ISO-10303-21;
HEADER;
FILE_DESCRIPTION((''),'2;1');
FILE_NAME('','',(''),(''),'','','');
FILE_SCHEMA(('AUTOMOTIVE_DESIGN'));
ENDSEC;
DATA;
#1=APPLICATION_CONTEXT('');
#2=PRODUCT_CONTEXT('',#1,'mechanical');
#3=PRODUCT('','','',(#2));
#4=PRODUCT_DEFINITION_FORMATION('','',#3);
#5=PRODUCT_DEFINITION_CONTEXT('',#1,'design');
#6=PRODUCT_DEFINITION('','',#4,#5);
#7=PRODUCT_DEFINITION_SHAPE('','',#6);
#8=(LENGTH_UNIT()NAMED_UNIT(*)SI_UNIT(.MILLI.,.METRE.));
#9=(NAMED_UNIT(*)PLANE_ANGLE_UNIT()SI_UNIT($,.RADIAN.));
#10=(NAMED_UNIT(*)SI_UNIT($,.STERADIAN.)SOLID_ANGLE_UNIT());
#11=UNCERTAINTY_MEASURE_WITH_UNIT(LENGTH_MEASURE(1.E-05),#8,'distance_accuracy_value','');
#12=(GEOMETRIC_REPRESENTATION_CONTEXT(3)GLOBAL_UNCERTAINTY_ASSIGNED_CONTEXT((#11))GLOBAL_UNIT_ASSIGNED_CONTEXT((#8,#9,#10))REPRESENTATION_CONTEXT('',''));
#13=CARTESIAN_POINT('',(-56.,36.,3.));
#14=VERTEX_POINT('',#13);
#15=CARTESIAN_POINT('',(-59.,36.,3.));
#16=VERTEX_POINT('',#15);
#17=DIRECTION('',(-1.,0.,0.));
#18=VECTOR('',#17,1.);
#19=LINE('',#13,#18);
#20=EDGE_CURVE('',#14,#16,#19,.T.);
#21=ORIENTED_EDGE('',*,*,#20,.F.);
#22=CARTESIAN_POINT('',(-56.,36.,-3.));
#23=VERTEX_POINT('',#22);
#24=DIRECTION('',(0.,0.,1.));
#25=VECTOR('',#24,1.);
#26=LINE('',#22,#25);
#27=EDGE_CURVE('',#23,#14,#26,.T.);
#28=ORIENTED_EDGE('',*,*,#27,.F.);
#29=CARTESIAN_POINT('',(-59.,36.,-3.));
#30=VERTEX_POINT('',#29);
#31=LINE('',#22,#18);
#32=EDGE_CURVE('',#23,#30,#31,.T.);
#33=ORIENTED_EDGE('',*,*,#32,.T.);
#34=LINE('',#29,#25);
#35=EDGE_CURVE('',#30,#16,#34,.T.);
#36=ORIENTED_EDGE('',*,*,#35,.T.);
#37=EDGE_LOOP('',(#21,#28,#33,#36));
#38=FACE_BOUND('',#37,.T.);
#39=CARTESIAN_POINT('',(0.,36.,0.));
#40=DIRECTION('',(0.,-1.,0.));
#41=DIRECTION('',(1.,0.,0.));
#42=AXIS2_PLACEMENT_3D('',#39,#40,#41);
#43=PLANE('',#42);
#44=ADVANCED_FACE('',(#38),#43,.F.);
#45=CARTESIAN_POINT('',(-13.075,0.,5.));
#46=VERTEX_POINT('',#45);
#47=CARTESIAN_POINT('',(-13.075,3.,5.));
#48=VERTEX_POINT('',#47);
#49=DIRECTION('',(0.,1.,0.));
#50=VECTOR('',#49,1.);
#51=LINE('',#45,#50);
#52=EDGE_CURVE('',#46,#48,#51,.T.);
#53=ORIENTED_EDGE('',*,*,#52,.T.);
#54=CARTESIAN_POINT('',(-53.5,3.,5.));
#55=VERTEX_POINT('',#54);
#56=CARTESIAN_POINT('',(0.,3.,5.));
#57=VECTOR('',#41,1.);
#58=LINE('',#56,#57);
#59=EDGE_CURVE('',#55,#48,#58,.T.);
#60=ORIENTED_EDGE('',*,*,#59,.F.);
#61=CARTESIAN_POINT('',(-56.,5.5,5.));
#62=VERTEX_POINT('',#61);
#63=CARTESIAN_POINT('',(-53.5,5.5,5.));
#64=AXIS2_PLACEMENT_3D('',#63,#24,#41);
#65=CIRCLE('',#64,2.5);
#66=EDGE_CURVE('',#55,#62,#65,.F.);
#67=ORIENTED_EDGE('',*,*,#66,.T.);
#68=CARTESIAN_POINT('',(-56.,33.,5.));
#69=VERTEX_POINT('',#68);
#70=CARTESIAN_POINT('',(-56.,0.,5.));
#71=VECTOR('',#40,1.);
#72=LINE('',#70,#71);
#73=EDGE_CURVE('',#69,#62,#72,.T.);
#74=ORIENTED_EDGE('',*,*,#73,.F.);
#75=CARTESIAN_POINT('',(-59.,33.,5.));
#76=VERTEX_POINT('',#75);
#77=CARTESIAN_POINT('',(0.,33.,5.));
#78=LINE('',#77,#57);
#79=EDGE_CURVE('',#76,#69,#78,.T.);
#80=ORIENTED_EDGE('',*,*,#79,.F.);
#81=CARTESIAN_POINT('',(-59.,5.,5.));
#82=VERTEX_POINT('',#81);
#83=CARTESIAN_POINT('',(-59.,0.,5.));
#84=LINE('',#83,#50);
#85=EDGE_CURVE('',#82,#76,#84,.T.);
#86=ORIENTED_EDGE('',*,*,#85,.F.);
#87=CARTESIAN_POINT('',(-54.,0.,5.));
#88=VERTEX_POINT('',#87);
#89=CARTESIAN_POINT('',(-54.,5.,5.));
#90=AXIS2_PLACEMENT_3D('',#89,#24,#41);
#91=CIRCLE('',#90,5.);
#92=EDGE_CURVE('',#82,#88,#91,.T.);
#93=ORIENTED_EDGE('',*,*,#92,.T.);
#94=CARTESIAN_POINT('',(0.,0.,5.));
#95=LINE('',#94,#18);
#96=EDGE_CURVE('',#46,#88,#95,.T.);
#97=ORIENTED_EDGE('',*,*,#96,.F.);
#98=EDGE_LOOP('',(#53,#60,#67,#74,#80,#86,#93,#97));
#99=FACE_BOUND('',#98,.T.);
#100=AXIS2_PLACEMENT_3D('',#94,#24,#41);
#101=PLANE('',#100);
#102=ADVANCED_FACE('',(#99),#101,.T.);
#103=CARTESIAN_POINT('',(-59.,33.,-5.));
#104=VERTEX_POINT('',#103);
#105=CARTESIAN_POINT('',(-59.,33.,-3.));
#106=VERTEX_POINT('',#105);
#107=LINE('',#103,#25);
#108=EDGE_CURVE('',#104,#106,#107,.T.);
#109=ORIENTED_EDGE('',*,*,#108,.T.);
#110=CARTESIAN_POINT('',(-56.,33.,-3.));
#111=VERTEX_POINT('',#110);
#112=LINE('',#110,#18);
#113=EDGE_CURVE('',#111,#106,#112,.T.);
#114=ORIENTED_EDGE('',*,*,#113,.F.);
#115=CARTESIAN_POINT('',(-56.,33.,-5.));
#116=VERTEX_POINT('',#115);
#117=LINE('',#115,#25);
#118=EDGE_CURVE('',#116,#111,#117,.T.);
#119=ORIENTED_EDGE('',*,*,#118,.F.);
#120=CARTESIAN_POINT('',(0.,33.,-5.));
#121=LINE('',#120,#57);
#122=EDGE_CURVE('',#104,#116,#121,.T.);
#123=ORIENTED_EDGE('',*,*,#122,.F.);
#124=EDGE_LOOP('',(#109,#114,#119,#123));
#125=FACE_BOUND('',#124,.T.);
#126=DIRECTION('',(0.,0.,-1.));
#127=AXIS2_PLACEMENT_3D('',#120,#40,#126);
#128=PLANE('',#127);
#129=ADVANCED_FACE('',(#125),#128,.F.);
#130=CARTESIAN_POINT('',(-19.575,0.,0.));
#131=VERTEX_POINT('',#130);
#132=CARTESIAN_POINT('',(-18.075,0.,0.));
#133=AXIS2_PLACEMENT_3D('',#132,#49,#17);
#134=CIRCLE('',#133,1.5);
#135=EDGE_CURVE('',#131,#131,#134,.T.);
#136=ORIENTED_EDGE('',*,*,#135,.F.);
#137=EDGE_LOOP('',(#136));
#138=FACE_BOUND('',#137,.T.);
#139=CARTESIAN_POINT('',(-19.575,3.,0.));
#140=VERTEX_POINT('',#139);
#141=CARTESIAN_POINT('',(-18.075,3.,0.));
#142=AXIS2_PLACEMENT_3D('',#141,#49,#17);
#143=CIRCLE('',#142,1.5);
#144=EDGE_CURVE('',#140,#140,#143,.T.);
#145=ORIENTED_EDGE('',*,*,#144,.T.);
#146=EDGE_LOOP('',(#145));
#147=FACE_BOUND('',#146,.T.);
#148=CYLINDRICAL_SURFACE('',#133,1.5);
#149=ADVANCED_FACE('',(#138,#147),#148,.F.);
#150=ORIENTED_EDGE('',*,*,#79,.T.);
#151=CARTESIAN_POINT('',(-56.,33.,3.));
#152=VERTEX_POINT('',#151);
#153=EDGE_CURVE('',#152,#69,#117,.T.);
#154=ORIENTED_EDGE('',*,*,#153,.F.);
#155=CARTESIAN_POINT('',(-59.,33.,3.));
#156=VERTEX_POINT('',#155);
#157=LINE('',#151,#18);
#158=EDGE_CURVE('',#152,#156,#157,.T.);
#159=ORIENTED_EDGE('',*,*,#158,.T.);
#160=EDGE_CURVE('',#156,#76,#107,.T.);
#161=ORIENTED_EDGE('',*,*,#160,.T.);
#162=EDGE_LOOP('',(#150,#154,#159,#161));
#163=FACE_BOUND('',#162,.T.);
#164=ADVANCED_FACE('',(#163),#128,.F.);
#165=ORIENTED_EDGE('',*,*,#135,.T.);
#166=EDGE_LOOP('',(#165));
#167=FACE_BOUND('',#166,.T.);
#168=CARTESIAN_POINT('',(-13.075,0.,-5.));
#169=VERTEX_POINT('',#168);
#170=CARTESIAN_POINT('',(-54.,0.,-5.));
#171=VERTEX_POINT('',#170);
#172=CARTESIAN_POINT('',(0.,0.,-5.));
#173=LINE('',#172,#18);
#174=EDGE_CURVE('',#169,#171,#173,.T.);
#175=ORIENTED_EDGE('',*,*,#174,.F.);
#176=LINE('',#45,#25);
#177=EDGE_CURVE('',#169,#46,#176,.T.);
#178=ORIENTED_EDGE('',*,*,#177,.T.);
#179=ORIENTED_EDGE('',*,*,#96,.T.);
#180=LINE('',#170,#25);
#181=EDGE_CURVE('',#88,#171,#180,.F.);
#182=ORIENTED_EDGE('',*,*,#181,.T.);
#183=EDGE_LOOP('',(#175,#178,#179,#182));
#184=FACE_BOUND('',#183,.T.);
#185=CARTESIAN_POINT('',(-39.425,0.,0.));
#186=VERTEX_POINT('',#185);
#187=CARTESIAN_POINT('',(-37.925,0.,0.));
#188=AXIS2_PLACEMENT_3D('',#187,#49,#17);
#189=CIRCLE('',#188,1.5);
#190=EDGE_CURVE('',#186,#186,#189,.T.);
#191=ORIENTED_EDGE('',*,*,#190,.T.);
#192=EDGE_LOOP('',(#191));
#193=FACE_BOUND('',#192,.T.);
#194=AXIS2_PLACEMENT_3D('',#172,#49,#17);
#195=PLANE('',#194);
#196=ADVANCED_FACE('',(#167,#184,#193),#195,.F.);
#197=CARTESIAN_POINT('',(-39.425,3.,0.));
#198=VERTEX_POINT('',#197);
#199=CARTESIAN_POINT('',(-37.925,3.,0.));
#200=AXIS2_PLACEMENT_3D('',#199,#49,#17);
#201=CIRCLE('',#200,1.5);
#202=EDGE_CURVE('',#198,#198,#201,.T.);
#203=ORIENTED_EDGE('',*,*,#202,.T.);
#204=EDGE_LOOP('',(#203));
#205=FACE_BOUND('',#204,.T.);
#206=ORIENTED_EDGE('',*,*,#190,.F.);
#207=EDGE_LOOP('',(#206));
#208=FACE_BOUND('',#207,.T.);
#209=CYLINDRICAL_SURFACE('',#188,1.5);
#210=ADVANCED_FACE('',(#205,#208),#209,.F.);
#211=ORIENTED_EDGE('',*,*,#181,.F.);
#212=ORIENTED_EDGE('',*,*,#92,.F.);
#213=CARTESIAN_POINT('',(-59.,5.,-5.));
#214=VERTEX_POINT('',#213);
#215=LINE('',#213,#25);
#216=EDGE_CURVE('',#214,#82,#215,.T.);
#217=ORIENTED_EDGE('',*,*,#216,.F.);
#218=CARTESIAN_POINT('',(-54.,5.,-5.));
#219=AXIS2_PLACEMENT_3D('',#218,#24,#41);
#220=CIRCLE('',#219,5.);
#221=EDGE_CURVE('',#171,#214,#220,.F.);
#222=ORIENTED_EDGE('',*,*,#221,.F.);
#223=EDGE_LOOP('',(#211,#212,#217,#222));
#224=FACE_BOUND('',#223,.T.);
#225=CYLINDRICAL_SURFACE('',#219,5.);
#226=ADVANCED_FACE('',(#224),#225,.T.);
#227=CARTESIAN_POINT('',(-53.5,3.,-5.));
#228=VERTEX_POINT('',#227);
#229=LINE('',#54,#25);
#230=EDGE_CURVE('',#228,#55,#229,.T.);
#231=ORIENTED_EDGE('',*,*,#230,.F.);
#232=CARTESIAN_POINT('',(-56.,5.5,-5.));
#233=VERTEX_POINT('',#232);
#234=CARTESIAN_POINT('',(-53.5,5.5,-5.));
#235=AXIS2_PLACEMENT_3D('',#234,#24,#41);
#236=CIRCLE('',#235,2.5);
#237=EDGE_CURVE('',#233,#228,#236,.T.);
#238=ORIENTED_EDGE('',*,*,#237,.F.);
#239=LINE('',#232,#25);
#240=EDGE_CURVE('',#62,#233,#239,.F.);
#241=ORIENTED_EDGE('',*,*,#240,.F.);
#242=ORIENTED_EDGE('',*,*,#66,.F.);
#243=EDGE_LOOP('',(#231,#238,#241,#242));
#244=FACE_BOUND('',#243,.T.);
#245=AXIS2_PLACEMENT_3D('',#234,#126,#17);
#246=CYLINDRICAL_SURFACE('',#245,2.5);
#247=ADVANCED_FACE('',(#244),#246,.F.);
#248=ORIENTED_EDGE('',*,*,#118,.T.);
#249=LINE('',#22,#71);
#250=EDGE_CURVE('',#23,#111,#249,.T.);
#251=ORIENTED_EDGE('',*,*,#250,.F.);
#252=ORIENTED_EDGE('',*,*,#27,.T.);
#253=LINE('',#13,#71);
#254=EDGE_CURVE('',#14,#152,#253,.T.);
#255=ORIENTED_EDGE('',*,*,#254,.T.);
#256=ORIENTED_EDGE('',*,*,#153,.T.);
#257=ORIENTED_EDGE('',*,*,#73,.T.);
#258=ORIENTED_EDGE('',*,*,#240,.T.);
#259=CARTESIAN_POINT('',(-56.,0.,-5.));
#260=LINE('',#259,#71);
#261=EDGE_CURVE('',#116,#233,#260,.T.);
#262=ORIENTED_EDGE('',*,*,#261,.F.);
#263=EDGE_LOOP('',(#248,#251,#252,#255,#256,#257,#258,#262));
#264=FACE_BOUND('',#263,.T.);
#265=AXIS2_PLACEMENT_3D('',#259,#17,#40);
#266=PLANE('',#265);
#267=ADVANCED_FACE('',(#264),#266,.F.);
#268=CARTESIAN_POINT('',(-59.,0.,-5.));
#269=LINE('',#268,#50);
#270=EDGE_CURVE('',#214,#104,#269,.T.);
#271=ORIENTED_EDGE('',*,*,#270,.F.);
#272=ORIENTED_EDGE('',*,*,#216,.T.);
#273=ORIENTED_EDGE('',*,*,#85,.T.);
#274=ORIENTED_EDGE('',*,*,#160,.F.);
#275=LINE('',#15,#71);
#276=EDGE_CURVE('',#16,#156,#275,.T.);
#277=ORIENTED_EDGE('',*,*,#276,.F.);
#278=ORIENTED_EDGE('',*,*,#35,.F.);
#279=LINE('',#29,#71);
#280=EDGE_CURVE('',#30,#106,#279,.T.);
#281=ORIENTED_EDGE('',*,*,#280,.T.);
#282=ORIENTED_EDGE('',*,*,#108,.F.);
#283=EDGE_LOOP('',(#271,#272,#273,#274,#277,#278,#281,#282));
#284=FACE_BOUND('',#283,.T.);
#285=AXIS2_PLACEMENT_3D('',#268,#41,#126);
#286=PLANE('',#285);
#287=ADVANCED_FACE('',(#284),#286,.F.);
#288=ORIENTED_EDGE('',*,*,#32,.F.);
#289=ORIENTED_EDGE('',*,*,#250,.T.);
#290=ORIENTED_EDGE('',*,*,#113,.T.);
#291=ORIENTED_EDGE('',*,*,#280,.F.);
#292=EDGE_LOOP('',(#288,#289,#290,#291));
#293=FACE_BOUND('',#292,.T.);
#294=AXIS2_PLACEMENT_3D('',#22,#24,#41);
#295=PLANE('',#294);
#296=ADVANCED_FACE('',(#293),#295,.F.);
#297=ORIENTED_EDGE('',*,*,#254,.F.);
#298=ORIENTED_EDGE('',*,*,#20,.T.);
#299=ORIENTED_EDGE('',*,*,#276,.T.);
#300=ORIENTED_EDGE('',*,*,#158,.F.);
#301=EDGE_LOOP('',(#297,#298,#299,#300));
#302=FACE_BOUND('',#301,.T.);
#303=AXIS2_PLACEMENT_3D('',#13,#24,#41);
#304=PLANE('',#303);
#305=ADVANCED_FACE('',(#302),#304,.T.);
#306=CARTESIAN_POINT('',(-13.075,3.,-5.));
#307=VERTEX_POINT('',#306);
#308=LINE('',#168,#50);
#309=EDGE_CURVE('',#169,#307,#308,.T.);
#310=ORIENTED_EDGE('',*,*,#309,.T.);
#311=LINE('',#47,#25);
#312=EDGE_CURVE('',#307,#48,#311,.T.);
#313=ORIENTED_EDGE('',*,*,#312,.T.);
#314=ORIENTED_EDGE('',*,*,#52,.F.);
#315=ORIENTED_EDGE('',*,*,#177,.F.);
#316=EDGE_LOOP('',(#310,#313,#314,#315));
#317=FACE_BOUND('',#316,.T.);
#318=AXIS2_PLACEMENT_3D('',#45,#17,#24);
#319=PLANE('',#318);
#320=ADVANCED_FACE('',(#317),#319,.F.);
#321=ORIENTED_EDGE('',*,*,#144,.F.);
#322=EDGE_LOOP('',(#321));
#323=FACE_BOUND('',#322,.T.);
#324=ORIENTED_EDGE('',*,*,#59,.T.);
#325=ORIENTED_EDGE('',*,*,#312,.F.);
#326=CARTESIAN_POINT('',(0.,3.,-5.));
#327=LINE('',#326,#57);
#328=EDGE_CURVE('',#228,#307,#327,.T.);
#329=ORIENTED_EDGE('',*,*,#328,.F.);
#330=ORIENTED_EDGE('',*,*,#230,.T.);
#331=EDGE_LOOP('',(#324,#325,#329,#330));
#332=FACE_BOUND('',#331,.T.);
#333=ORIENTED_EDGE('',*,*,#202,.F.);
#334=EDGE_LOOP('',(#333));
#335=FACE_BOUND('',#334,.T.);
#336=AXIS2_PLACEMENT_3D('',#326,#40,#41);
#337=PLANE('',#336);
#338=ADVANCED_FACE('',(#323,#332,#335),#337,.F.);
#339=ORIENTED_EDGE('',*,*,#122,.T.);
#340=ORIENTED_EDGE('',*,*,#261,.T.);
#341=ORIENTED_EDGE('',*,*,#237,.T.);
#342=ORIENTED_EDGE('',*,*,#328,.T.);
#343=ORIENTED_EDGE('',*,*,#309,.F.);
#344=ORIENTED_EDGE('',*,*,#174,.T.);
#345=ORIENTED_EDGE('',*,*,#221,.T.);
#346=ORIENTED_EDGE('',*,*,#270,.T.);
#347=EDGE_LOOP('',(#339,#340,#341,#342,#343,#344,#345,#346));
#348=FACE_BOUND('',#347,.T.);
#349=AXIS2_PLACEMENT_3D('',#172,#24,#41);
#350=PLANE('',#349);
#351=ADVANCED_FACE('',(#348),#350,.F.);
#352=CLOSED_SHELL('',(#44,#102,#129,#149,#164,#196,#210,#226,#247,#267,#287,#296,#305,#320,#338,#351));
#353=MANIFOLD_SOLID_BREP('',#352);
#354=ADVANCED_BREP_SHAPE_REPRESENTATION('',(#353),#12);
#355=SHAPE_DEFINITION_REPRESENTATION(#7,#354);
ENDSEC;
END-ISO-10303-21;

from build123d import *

# Parameters (mm, degrees)
BOSS_EXTRUDE2_DEPTH = 5
SKETCH8_R           = 1.5
CUT_EXTRUDE3_DEPTH  = 3
FILLET7_R           = 5
FILLET8_R           = 2.5
SKETCH9_W           = 13.075
SKETCH9_H           = 10
CUT_EXTRUDE4_DEPTH  = 3
SKETCH11_W          = 3
SKETCH11_H          = 6
BOSS_EXTRUDE4_DEPTH = 3


with BuildPart() as part:
    # Sketch5 → Boss-Extrude2 (new body, symmetric)
    with BuildSketch(Plane.XY):
        Polygon((0, 3), (0, 0), (-59, 0), (-59, 33), (-56, 33), (-56, 3), align=None)
    extrude(amount=BOSS_EXTRUDE2_DEPTH, both=True)

    # Sketch8 → Cut-Extrude3 (cut)
    with BuildSketch(Plane(origin=(0, 3, 0), x_dir=(1, 0, 0), z_dir=(0, 1, 0))):
        with Locations((-18.075, 0)):
            Circle(SKETCH8_R)
        with Locations((-37.925, 0)):
            Circle(SKETCH8_R)
    extrude(amount=-CUT_EXTRUDE3_DEPTH, mode=Mode.SUBTRACT)

    # Fillet7
    fillet7_edges = [part.edges().sort_by_distance(p)[0] for p in [
        (-59, 0, 0),
    ]]
    fillet(fillet7_edges, radius=FILLET7_R)

    # Fillet8
    fillet8_edges = [part.edges().sort_by_distance(p)[0] for p in [
        (-56, 3, 0),
    ]]
    fillet(fillet8_edges, radius=FILLET8_R)

    # Sketch9 → Cut-Extrude4 (cut)
    with BuildSketch(Plane(origin=(0, 3, 0), x_dir=(1, 0, 0), z_dir=(0, 1, 0))):
        with Locations((-6.5375, 0)):
            Rectangle(SKETCH9_W, SKETCH9_H)
    extrude(amount=-CUT_EXTRUDE4_DEPTH, mode=Mode.SUBTRACT)

    # Sketch11 → Boss-Extrude4 (add)
    with BuildSketch(Plane(origin=(0, 33, 0), x_dir=(1, 0, 0), z_dir=(0, 1, 0))):
        with Locations((-57.5, 0)):
            Rectangle(SKETCH11_W, SKETCH11_H)
    extrude(amount=BOSS_EXTRUDE4_DEPTH)


solid = part.part
